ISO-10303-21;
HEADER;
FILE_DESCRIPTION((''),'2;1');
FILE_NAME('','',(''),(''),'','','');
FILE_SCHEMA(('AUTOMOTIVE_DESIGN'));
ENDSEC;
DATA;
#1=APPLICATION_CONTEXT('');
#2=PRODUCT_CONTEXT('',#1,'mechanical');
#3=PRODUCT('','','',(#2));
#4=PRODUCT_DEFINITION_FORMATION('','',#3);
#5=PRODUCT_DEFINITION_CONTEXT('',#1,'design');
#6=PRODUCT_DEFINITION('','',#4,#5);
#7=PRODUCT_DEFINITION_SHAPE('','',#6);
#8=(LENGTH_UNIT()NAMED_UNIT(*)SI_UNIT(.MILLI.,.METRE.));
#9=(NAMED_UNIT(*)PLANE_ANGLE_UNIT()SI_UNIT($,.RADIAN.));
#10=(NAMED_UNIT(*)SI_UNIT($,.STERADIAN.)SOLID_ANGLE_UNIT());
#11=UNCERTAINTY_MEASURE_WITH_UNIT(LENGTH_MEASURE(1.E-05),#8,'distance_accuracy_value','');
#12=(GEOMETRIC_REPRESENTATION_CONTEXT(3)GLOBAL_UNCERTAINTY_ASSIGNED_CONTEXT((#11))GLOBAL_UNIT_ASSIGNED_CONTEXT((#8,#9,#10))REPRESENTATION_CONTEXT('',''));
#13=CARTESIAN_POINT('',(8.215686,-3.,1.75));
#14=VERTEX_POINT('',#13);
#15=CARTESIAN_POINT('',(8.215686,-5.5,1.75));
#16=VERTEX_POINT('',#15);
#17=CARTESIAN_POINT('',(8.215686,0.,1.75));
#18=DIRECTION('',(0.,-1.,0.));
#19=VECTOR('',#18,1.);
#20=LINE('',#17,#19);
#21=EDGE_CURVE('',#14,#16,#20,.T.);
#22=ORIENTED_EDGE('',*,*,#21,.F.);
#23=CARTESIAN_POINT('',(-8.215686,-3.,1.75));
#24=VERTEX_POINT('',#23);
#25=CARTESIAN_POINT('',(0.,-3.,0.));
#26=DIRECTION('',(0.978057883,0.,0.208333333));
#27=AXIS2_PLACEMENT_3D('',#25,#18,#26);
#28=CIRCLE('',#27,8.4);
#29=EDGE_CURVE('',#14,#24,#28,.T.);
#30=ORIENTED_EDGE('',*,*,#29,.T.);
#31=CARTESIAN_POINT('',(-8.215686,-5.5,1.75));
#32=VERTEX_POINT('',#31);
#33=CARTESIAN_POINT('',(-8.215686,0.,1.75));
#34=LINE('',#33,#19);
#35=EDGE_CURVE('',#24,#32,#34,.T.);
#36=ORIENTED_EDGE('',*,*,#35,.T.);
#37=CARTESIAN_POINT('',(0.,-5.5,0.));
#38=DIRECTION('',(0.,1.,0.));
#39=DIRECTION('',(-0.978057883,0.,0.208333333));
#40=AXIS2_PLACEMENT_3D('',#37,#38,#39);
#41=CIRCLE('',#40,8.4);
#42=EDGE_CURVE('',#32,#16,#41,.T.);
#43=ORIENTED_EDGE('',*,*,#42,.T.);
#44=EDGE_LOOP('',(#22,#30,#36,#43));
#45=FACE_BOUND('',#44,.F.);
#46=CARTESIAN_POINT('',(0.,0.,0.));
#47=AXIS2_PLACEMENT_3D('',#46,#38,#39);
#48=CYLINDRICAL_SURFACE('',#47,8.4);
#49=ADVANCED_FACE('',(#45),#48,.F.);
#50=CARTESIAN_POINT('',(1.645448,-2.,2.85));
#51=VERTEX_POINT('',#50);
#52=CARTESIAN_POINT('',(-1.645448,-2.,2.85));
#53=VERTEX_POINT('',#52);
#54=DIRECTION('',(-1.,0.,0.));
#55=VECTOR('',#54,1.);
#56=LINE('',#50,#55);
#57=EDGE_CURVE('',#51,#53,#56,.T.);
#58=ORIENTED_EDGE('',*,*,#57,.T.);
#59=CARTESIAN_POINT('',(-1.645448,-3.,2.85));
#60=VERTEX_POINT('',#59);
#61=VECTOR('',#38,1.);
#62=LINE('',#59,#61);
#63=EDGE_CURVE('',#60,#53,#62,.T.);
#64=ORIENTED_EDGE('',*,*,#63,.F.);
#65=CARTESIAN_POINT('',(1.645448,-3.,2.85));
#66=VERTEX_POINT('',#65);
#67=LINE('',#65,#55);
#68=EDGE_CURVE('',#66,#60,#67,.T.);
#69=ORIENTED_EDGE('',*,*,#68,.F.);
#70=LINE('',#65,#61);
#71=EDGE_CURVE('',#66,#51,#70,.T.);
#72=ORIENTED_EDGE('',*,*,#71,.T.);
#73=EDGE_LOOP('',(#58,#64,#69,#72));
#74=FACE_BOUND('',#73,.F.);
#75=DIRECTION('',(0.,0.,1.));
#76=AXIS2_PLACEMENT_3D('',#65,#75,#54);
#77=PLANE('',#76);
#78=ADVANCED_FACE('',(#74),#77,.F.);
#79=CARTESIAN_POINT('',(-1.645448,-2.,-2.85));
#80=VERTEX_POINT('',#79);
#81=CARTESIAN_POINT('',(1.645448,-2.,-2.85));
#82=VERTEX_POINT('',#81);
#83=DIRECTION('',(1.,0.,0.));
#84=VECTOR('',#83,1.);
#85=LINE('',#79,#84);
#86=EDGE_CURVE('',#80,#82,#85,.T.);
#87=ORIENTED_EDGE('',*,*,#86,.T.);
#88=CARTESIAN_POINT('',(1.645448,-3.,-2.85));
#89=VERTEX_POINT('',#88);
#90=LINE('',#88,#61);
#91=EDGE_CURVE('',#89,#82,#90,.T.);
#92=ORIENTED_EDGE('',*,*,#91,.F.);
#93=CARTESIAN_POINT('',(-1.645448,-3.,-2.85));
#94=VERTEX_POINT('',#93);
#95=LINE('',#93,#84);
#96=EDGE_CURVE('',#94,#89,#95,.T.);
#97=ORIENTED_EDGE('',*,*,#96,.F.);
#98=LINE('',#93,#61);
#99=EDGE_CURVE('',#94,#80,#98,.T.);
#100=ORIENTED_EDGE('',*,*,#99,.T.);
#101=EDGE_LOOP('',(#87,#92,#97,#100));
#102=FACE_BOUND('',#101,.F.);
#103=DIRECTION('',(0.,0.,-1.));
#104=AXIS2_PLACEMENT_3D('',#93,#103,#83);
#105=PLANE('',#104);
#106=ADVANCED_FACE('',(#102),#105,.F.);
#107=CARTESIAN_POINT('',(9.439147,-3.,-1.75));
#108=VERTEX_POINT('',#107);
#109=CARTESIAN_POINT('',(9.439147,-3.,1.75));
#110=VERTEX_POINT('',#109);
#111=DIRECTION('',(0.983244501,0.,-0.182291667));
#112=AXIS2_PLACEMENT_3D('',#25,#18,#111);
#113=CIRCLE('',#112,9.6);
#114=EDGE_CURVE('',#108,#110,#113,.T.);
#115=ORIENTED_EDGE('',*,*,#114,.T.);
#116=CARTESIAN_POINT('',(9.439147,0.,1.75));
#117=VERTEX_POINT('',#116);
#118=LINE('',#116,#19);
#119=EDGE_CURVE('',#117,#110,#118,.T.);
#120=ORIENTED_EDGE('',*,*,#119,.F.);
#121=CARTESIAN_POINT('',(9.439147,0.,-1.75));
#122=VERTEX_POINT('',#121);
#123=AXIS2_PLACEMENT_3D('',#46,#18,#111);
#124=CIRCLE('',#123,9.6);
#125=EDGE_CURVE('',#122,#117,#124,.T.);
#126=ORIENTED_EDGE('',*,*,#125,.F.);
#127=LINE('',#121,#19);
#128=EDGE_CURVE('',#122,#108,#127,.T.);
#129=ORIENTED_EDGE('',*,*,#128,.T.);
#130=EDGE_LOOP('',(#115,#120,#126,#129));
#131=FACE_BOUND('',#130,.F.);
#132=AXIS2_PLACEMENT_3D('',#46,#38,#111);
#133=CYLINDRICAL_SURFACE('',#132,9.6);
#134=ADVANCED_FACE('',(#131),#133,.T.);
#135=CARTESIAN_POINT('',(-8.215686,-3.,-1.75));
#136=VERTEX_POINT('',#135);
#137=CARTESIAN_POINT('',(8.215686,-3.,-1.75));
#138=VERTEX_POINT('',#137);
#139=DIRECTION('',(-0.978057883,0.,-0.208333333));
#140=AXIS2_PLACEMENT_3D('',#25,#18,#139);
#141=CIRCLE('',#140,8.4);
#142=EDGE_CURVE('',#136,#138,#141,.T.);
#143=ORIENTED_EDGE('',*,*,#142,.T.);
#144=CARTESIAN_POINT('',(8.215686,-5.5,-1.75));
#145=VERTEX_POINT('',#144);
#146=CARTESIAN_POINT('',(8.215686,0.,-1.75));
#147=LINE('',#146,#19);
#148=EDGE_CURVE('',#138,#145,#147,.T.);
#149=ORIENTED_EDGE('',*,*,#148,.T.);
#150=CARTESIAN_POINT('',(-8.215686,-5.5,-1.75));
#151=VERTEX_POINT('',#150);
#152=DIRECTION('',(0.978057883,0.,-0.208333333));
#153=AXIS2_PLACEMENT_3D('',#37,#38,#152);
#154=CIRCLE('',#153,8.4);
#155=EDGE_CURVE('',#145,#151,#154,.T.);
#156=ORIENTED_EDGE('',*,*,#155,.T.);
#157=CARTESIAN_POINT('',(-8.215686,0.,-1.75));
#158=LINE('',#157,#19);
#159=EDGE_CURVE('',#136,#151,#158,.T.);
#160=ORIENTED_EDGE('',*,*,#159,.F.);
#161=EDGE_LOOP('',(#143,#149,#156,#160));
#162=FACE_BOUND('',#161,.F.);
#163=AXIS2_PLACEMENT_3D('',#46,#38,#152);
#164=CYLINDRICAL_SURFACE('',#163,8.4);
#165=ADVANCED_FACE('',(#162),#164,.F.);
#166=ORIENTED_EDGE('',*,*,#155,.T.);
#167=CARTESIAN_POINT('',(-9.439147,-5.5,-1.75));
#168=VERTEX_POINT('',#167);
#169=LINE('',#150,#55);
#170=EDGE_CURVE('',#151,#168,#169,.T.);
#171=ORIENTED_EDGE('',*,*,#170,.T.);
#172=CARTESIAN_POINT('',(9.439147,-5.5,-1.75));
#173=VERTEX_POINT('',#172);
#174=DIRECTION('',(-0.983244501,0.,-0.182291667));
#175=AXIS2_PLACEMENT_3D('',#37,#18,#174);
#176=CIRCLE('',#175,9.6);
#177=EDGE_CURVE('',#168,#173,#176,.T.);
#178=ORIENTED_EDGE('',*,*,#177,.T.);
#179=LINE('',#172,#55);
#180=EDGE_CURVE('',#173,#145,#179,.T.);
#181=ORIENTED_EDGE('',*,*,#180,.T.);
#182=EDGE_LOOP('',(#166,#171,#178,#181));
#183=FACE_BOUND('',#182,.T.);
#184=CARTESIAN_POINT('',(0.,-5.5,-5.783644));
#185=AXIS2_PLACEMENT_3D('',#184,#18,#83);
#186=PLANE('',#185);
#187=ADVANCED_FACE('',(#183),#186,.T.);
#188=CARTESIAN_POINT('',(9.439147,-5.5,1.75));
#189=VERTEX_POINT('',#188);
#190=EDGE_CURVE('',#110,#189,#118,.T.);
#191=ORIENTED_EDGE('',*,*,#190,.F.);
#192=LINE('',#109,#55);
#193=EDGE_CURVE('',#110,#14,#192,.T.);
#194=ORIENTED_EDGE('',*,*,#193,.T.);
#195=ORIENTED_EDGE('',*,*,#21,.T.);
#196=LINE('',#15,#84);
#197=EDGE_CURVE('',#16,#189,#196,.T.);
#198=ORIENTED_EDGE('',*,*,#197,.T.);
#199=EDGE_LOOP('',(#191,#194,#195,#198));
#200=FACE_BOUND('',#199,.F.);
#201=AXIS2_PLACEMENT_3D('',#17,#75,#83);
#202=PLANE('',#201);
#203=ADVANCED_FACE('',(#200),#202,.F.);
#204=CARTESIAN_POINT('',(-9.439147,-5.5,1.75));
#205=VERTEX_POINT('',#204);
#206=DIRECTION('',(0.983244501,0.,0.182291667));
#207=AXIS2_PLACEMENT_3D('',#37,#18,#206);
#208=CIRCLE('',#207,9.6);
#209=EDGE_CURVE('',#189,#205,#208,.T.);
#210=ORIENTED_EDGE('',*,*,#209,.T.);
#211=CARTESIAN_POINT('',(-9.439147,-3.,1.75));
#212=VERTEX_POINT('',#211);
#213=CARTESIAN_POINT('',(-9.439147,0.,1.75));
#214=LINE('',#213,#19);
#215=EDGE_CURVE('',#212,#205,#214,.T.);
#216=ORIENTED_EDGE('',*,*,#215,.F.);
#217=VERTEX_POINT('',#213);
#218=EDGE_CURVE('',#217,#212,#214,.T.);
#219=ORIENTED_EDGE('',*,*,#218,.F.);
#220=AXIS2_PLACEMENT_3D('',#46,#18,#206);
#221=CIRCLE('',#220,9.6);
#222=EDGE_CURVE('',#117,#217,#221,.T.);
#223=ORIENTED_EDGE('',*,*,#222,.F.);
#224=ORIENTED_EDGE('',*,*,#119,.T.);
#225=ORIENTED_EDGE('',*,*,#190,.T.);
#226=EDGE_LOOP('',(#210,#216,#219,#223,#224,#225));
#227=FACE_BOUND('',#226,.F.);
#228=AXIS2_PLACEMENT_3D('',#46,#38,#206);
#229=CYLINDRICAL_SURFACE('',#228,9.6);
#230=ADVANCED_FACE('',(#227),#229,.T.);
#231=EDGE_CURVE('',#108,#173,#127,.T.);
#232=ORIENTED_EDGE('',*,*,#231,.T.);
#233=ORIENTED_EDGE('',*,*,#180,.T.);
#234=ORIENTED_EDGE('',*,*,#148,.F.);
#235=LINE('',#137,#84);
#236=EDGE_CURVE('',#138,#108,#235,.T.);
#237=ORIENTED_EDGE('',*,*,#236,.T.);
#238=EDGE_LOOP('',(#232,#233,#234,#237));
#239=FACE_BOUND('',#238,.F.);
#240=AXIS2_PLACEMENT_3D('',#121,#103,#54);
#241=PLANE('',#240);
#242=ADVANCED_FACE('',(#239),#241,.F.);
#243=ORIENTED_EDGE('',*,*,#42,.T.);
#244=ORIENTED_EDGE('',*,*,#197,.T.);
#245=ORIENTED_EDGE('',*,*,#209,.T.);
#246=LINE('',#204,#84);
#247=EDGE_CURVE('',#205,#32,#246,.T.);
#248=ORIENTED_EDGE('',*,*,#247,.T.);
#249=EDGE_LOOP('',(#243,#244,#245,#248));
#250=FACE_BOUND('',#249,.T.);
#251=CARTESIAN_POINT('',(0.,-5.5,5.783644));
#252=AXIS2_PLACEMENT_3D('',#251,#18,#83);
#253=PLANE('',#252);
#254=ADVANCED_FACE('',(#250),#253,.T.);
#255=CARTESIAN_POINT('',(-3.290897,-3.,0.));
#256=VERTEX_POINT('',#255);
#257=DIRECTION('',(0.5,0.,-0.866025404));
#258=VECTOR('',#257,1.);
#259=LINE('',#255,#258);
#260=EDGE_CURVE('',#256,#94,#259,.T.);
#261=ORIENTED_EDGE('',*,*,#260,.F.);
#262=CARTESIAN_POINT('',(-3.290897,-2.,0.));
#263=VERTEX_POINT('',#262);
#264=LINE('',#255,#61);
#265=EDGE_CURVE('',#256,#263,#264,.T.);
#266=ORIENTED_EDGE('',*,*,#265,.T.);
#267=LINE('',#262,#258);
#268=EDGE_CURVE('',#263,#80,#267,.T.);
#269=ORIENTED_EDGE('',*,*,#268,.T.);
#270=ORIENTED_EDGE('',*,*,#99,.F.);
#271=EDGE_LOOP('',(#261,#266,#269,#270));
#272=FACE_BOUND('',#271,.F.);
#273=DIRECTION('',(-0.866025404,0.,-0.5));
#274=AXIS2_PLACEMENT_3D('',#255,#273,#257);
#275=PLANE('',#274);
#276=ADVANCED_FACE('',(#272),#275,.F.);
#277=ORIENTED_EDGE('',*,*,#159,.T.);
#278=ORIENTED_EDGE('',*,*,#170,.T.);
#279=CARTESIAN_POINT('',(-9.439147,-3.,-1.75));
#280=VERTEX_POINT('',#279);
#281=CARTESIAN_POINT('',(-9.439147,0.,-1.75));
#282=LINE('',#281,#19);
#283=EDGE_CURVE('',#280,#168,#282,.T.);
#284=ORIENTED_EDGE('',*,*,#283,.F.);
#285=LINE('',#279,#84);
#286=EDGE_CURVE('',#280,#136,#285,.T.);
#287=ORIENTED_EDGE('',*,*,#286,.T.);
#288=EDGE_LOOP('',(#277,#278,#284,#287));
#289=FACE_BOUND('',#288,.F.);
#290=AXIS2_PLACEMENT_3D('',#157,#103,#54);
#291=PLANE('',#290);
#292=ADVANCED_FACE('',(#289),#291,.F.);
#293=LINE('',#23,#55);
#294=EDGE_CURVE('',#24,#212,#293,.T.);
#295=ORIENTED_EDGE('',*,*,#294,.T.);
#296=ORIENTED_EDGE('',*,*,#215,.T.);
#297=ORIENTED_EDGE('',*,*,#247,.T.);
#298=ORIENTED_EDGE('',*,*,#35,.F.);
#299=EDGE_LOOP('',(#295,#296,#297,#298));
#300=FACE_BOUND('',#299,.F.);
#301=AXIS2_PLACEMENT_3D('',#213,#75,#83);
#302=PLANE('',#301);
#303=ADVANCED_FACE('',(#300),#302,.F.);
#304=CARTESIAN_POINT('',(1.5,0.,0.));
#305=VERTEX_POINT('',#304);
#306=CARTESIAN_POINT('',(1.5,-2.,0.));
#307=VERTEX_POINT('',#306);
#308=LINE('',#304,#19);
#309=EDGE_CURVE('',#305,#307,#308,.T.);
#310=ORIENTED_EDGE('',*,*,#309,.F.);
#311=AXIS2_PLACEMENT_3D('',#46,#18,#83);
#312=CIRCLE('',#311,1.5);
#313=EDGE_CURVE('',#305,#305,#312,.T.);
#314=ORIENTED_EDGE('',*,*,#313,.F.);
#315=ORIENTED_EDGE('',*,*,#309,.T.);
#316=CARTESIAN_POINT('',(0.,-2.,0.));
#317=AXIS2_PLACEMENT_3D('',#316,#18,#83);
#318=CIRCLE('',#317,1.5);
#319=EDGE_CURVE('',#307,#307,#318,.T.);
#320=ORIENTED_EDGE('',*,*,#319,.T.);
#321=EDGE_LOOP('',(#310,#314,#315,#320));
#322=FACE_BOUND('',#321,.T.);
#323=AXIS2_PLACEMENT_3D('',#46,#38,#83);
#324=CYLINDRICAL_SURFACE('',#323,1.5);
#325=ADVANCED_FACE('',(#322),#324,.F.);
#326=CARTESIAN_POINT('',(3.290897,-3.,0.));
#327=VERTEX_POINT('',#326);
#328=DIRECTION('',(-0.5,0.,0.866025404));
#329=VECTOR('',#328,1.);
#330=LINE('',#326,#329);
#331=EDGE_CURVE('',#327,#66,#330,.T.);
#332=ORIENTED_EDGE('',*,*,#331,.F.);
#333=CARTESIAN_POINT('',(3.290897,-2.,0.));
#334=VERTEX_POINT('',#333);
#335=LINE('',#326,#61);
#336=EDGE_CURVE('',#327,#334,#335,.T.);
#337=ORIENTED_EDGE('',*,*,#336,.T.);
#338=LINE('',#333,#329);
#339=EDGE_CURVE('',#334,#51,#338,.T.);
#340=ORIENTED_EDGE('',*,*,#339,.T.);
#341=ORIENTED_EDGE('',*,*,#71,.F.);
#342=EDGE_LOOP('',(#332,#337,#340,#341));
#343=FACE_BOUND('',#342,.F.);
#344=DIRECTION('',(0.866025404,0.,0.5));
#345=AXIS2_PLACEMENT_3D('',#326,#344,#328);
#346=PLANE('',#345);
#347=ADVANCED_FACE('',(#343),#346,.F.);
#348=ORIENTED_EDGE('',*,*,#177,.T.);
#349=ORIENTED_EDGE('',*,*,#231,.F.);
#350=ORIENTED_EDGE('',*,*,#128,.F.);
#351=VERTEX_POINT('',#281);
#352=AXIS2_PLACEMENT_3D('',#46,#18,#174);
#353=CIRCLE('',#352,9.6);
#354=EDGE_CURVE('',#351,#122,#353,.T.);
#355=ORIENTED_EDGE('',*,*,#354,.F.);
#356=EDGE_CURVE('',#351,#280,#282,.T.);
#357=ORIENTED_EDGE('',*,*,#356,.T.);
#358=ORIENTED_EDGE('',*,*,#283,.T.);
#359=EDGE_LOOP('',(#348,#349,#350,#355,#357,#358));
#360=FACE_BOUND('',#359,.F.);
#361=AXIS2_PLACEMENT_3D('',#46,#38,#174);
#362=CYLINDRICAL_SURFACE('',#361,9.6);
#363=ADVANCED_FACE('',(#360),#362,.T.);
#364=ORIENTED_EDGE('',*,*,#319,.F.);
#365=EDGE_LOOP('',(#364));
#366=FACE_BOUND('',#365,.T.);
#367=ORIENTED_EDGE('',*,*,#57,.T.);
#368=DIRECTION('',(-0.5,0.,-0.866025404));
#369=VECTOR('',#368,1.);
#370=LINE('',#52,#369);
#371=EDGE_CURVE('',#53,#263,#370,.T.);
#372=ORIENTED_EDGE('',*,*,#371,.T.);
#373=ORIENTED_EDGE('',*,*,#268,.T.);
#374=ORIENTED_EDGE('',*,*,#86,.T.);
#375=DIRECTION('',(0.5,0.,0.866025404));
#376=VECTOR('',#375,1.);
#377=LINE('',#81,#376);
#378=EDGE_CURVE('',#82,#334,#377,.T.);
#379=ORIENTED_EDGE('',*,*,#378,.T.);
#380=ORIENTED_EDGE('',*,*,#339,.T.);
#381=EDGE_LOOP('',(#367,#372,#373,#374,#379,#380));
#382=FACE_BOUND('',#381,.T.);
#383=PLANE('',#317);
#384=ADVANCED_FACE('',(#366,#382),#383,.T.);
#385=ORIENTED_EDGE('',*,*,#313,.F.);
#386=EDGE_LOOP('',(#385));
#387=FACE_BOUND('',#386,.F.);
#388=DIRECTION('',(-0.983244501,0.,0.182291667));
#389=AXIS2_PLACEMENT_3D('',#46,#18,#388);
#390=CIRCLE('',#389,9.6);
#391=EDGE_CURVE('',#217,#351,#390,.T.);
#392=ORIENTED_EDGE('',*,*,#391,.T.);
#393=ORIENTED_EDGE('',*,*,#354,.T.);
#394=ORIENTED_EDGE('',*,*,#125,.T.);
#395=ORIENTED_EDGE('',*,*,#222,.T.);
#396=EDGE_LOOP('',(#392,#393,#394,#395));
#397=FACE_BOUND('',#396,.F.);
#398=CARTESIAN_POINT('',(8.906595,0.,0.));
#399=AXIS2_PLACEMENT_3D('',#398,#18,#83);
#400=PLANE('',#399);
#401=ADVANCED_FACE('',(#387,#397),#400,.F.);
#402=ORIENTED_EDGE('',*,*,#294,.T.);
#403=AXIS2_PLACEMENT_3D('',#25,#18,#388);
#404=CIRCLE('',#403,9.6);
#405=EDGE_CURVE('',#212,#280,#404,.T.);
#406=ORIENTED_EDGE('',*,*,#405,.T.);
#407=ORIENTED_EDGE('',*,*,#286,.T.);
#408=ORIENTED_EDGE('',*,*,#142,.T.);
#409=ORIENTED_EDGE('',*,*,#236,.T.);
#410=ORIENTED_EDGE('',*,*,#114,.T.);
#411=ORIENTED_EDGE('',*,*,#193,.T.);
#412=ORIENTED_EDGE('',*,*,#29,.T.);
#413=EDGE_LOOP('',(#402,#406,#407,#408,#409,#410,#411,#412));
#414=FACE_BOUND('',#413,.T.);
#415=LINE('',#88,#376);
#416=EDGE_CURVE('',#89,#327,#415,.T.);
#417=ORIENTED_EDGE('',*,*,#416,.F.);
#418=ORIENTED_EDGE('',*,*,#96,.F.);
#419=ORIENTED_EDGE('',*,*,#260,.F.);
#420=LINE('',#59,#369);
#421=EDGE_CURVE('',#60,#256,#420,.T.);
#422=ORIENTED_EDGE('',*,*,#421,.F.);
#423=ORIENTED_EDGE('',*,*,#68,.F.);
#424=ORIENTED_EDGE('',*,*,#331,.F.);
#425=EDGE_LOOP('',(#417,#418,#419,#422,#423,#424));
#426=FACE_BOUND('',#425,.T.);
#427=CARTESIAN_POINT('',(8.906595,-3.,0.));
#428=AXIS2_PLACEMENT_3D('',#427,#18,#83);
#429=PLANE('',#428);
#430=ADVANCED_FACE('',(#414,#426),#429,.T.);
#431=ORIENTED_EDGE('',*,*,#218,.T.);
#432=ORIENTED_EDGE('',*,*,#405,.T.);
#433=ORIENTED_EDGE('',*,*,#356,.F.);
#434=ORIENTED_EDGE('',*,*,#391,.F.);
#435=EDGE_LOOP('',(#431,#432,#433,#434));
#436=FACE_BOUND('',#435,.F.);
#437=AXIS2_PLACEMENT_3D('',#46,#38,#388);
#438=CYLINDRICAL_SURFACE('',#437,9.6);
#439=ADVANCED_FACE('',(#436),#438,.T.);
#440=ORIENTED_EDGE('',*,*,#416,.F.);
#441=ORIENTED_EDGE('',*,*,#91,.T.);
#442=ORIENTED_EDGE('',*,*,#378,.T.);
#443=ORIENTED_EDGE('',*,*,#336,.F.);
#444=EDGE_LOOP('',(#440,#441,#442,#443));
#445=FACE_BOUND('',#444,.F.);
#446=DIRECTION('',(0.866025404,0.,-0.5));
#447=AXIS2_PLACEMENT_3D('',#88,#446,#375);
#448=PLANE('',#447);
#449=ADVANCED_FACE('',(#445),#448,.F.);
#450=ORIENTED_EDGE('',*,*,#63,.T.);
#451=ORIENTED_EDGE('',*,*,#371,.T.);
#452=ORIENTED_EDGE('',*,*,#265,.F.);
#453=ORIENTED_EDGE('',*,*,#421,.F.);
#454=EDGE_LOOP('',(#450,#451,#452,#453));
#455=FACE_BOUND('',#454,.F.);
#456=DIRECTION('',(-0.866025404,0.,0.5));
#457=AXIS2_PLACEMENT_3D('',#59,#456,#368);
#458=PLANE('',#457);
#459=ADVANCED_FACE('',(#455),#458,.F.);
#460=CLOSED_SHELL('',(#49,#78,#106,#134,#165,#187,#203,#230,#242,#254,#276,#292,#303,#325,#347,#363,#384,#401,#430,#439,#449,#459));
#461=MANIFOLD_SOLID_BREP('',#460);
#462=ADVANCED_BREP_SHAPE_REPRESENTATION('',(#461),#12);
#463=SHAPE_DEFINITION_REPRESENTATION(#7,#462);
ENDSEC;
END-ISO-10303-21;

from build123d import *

# Parameters (mm, degrees)
F1_DEPTH = 5.5
F0_R     = 1.5
F2_DEPTH = 3
F3_R     = 1.5
F4_DEPTH = 1


with BuildPart() as f1:
    # F0 (on Front) → F1 (new body)
    with BuildSketch(Plane.XZ):
        with BuildLine():
            ThreePointArc((9.4391472072, 1.75), (0, 9.6), (-9.4391472072, 1.75))
            Line((-9.4391472072, 1.75), (-8.215686216, 1.75))
            ThreePointArc((-8.215686216, 1.75), (0, 8.4), (8.215686216, 1.75))
            Line((8.215686216, 1.75), (9.4391472072, 1.75))
        make_face()
    extrude(amount=F1_DEPTH)



with BuildPart() as f1b:
    # F0 (on Front) → F1, piece 2 (new body)
    with BuildSketch(Plane.XZ):
        with BuildLine():
            Line((-8.215686216, -1.75), (-9.4391472072, -1.75))
            ThreePointArc((-9.4391472072, -1.75), (0, -9.6), (9.4391472072, -1.75))
            Line((9.4391472072, -1.75), (8.215686216, -1.75))
            ThreePointArc((8.215686216, -1.75), (0, -8.4), (-8.215686216, -1.75))
        make_face()
    extrude(amount=F1_DEPTH)


with BuildPart() as f1_1:
    add(f1.part)

    add(f1b.part)  # F2 merges F1b
    # F0 (on Front) → F2 (join)
    with BuildSketch(Plane.XZ):
        with BuildLine():
            Line((8.215686216, -1.75), (9.4391472072, -1.75))
            ThreePointArc((9.4391472072, -1.75), (9.6, 0), (9.4391472072, 1.75))
            Line((9.4391472072, 1.75), (8.215686216, 1.75))
            ThreePointArc((8.215686216, 1.75), (8.3537944736, 0.8798396972), (8.4, 0))
            ThreePointArc((8.4, 0), (8.3537944736, -0.8798396972), (8.215686216, -1.75))
        make_face()
        with BuildLine():
            ThreePointArc((-9.4391472072, 1.75), (-9.6, 0), (-9.4391472072, -1.75))
            Line((-9.4391472072, -1.75), (-8.215686216, -1.75))
            ThreePointArc((-8.215686216, -1.75), (-8.4, 0), (-8.215686216, 1.75))
            Line((-8.215686216, 1.75), (-9.4391472072, 1.75))
        make_face()
        with BuildLine():
            ThreePointArc((-8.215686216, 1.75), (-8.4, 0), (-8.215686216, -1.75))
            ThreePointArc((-8.215686216, -1.75), (0, -8.4), (8.215686216, -1.75))
            ThreePointArc((8.215686216, -1.75), (8.3537944736, -0.8798396972), (8.4, 0))
            ThreePointArc((8.4, 0), (8.3537944736, 0.8798396972), (8.215686216, 1.75))
            ThreePointArc((8.215686216, 1.75), (0, 8.4), (-8.215686216, 1.75))
        make_face()
        Circle(F0_R, mode=Mode.SUBTRACT)
    extrude(amount=F2_DEPTH)

    # F3 (on face) → F4 (cut)
    with BuildSketch(Plane.XZ.offset(3)):
        Polygon((1.6454482672, -2.85), (3.2908965344, 0), (1.6454482672, 2.85), (-1.6454482672, 2.85), (-3.2908965344, 0), (-1.6454482672, -2.85), align=None)
        Circle(F3_R, mode=Mode.SUBTRACT)
    extrude(amount=-F4_DEPTH, mode=Mode.SUBTRACT)


solid = f1_1.part
